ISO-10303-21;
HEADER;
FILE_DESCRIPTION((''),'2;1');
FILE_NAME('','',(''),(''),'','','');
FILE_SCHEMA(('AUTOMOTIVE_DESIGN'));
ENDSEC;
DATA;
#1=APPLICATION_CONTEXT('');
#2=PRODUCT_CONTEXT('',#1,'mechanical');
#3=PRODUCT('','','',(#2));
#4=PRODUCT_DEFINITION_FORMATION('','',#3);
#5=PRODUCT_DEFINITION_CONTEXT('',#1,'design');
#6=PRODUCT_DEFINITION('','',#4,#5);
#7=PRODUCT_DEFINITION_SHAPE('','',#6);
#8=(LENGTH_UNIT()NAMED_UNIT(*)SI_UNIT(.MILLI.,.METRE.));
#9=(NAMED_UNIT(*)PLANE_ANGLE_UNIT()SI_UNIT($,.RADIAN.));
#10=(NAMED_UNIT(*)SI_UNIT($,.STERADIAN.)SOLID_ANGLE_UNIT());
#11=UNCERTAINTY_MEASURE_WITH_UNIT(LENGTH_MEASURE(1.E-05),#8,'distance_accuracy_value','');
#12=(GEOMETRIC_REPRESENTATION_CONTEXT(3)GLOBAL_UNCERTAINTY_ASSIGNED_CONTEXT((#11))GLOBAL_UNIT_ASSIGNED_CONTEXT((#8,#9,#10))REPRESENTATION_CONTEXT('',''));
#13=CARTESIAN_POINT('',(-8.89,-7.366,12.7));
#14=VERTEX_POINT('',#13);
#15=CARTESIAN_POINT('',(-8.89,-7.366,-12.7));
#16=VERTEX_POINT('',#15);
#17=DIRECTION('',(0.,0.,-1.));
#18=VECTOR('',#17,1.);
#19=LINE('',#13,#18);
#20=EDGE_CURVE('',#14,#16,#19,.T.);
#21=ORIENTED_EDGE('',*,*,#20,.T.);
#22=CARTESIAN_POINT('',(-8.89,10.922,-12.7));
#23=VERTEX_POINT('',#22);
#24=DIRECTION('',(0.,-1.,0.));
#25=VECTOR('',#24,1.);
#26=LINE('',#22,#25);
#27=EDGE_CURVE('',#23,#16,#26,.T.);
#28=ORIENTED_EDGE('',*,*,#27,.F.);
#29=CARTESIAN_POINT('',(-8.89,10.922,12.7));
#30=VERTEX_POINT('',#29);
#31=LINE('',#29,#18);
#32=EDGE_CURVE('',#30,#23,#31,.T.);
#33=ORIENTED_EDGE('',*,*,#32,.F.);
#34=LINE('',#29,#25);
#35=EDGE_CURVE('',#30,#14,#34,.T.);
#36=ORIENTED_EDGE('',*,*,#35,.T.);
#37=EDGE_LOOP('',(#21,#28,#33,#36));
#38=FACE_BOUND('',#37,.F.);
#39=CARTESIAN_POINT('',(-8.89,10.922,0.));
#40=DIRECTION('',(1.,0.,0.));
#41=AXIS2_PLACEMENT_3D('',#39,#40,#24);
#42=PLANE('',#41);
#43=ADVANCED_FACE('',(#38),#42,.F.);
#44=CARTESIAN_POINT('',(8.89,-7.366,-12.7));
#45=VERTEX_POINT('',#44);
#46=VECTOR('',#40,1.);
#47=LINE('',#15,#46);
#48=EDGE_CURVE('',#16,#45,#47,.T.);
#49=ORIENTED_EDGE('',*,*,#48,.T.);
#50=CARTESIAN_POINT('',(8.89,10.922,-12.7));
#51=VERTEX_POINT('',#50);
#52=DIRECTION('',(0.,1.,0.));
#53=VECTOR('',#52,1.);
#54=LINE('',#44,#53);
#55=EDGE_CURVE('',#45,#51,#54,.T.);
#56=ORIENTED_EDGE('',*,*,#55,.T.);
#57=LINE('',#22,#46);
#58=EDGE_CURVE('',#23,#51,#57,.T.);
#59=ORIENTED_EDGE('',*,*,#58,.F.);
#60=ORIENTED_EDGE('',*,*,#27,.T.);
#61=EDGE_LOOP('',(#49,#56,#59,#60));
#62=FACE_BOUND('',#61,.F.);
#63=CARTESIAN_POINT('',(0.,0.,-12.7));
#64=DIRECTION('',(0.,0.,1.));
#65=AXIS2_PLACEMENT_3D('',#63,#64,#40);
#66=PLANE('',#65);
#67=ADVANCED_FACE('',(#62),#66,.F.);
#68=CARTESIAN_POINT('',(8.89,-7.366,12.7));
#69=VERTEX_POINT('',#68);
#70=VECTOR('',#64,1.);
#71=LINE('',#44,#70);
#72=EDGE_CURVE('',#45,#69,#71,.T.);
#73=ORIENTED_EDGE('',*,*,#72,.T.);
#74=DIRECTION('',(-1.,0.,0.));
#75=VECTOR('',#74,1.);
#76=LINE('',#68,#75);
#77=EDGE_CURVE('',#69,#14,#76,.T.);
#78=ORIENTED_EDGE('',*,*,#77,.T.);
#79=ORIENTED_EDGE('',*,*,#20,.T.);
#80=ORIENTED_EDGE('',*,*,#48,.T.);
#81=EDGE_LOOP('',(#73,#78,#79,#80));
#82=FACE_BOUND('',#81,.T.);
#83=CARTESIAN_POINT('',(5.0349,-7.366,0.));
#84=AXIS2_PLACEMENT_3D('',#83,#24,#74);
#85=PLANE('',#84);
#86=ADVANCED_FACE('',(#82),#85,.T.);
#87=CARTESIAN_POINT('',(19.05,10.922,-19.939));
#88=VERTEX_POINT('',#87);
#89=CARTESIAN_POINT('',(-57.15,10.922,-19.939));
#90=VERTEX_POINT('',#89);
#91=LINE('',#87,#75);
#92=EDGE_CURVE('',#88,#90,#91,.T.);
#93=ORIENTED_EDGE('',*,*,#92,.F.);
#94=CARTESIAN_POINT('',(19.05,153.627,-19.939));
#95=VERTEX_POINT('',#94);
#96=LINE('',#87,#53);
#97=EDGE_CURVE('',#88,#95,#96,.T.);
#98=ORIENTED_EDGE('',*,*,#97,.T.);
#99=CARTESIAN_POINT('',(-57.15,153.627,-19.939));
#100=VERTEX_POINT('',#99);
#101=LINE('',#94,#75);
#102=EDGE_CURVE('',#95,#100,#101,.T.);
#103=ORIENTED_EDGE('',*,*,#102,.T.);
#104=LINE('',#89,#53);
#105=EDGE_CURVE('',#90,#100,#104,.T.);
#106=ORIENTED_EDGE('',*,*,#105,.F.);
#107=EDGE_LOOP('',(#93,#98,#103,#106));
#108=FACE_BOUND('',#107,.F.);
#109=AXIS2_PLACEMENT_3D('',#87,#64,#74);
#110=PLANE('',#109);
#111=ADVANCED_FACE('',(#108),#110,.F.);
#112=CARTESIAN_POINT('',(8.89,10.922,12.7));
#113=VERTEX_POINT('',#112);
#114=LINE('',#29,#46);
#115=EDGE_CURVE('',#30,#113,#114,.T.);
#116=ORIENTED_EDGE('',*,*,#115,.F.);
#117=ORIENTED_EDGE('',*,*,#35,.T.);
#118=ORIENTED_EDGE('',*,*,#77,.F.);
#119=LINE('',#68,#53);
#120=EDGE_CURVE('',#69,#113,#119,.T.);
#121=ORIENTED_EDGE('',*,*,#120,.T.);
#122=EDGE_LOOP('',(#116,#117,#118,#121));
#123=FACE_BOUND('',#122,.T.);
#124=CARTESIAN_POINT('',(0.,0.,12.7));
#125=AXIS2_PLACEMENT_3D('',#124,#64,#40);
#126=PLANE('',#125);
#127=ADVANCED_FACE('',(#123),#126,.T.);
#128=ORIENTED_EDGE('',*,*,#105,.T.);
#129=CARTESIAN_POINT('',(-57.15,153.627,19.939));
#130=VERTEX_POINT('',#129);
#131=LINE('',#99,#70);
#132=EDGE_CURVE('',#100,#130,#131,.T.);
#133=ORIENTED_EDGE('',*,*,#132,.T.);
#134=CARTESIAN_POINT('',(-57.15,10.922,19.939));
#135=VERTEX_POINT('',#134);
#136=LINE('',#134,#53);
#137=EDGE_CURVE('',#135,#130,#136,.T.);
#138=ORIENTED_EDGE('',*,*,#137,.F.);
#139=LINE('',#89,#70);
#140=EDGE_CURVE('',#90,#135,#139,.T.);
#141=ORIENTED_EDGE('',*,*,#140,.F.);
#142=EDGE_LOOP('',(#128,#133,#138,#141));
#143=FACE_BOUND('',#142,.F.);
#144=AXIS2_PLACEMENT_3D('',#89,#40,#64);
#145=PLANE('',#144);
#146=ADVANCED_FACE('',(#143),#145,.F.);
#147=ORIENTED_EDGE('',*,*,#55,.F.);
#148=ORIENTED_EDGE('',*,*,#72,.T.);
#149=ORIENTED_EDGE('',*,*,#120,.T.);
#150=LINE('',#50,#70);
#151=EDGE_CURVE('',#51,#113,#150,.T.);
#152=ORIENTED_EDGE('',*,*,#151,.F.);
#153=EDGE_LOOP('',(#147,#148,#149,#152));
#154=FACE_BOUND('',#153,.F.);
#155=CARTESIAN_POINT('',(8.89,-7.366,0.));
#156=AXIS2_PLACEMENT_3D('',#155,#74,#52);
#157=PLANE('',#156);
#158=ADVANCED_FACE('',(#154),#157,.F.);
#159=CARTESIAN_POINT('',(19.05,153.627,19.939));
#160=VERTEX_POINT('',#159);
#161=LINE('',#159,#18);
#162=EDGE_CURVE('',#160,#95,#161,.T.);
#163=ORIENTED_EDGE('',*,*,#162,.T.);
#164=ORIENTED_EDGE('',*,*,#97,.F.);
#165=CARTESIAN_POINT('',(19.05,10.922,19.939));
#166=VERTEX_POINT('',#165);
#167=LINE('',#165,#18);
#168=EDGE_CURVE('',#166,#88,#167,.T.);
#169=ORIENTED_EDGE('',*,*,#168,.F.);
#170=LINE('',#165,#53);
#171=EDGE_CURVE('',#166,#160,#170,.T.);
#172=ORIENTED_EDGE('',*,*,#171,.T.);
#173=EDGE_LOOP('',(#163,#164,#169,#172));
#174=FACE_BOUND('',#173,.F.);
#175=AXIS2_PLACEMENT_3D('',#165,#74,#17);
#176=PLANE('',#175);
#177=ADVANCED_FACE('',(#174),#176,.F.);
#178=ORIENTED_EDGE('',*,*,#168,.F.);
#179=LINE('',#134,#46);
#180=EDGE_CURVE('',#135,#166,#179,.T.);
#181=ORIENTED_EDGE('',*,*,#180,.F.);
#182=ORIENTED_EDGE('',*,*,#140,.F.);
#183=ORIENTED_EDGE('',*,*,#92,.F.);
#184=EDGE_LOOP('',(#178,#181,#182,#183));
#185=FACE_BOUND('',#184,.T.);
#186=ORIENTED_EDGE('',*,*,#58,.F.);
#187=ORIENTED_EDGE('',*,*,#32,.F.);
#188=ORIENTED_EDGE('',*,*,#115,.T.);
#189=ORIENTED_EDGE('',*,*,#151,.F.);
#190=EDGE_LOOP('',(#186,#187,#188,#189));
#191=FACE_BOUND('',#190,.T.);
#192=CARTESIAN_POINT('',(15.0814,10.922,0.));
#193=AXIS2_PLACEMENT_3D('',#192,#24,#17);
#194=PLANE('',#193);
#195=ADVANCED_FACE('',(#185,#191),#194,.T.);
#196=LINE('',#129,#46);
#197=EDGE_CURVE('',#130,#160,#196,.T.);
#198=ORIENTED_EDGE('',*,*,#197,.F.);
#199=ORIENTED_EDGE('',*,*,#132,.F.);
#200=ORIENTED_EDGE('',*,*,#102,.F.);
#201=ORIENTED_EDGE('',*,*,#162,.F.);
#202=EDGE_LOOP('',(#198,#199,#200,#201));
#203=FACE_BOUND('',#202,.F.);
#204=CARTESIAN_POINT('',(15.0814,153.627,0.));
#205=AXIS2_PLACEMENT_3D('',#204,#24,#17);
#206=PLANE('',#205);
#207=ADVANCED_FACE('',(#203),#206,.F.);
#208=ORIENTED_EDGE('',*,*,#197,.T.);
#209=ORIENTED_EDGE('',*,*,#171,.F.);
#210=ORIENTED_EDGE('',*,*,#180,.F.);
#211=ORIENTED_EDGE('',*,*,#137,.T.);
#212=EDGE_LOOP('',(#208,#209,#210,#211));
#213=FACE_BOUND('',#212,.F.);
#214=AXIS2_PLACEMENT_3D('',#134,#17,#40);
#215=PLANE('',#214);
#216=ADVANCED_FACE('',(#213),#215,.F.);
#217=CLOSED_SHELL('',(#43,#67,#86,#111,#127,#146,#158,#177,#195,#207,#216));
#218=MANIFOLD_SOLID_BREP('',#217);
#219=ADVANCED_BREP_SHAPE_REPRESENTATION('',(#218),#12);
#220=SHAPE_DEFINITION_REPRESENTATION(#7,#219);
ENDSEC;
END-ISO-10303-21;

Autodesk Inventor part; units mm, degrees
ref_plane "XZ Plane" through (0, 0, 0) normal (0, 1, 0) x (-1, 0, 0)
sketch "Sketch1" plane through (0, 0, 0) normal (0, 0, 1) x (1, 0, 0)
  circle A0 centre (0, 0) radius 3.175 projected
  line L0 (5.0349, -7.366) -> (-5.0349, -7.366) projected
  line L1 (-8.89, 10.922) -> (-8.89, -7.366) projected
  line L2 (8.89, -7.366) -> (8.89, 10.922) projected
  line L3 (-37.211, 10.922) -> (12.7, 10.922) construction
  line L4 (-8.89, 10.922) -> (8.89, 10.922)
  line L5 (8.89, 10.922) -> (8.89, -7.366)
  line L6 (8.89, -7.366) -> (-8.89, -7.366)
  line L7 (-8.89, -7.366) -> (-8.89, 10.922)
extrude "Extrusion1" add sketch "Sketch1" along normal mid plane 25.4 contours A0 | L0 L6 L1 L4 L2
ref_plane "Work Plane1" through (15.0814, 10.922, 0) normal (0, -1, 0) x (0, 0, -1)
sketch "Sketch3" plane through (15.0814, 10.922, 0) normal (0, -1, 0) x (0, 0, -1)
  line L0 (-19.939, 3.9686) -> (19.939, 3.9686)
  line L1 (19.939, 3.9686) -> (19.939, -72.2314)
  line L2 (19.939, -72.2314) -> (-19.939, -72.2314)
  line L3 (-19.939, -72.2314) -> (-19.939, 3.9686)
  line L4 (-9.525, 3.9686) -> (9.525, 3.9686) construction
  arc A0 (-19.939, -52.2924) -> (19.939, -52.2924) centre (0, -52.2924) ccw construction
  point P0 (0, -15.0814)
  point P1 (-19.939, -2.3814)
  point P2 (19.939, -2.3814)
extrude "Extrusion2" add sketch "Sketch3" against normal blind 142.705
properties part number "UpperArmActuatorBaseBoundingBox"
